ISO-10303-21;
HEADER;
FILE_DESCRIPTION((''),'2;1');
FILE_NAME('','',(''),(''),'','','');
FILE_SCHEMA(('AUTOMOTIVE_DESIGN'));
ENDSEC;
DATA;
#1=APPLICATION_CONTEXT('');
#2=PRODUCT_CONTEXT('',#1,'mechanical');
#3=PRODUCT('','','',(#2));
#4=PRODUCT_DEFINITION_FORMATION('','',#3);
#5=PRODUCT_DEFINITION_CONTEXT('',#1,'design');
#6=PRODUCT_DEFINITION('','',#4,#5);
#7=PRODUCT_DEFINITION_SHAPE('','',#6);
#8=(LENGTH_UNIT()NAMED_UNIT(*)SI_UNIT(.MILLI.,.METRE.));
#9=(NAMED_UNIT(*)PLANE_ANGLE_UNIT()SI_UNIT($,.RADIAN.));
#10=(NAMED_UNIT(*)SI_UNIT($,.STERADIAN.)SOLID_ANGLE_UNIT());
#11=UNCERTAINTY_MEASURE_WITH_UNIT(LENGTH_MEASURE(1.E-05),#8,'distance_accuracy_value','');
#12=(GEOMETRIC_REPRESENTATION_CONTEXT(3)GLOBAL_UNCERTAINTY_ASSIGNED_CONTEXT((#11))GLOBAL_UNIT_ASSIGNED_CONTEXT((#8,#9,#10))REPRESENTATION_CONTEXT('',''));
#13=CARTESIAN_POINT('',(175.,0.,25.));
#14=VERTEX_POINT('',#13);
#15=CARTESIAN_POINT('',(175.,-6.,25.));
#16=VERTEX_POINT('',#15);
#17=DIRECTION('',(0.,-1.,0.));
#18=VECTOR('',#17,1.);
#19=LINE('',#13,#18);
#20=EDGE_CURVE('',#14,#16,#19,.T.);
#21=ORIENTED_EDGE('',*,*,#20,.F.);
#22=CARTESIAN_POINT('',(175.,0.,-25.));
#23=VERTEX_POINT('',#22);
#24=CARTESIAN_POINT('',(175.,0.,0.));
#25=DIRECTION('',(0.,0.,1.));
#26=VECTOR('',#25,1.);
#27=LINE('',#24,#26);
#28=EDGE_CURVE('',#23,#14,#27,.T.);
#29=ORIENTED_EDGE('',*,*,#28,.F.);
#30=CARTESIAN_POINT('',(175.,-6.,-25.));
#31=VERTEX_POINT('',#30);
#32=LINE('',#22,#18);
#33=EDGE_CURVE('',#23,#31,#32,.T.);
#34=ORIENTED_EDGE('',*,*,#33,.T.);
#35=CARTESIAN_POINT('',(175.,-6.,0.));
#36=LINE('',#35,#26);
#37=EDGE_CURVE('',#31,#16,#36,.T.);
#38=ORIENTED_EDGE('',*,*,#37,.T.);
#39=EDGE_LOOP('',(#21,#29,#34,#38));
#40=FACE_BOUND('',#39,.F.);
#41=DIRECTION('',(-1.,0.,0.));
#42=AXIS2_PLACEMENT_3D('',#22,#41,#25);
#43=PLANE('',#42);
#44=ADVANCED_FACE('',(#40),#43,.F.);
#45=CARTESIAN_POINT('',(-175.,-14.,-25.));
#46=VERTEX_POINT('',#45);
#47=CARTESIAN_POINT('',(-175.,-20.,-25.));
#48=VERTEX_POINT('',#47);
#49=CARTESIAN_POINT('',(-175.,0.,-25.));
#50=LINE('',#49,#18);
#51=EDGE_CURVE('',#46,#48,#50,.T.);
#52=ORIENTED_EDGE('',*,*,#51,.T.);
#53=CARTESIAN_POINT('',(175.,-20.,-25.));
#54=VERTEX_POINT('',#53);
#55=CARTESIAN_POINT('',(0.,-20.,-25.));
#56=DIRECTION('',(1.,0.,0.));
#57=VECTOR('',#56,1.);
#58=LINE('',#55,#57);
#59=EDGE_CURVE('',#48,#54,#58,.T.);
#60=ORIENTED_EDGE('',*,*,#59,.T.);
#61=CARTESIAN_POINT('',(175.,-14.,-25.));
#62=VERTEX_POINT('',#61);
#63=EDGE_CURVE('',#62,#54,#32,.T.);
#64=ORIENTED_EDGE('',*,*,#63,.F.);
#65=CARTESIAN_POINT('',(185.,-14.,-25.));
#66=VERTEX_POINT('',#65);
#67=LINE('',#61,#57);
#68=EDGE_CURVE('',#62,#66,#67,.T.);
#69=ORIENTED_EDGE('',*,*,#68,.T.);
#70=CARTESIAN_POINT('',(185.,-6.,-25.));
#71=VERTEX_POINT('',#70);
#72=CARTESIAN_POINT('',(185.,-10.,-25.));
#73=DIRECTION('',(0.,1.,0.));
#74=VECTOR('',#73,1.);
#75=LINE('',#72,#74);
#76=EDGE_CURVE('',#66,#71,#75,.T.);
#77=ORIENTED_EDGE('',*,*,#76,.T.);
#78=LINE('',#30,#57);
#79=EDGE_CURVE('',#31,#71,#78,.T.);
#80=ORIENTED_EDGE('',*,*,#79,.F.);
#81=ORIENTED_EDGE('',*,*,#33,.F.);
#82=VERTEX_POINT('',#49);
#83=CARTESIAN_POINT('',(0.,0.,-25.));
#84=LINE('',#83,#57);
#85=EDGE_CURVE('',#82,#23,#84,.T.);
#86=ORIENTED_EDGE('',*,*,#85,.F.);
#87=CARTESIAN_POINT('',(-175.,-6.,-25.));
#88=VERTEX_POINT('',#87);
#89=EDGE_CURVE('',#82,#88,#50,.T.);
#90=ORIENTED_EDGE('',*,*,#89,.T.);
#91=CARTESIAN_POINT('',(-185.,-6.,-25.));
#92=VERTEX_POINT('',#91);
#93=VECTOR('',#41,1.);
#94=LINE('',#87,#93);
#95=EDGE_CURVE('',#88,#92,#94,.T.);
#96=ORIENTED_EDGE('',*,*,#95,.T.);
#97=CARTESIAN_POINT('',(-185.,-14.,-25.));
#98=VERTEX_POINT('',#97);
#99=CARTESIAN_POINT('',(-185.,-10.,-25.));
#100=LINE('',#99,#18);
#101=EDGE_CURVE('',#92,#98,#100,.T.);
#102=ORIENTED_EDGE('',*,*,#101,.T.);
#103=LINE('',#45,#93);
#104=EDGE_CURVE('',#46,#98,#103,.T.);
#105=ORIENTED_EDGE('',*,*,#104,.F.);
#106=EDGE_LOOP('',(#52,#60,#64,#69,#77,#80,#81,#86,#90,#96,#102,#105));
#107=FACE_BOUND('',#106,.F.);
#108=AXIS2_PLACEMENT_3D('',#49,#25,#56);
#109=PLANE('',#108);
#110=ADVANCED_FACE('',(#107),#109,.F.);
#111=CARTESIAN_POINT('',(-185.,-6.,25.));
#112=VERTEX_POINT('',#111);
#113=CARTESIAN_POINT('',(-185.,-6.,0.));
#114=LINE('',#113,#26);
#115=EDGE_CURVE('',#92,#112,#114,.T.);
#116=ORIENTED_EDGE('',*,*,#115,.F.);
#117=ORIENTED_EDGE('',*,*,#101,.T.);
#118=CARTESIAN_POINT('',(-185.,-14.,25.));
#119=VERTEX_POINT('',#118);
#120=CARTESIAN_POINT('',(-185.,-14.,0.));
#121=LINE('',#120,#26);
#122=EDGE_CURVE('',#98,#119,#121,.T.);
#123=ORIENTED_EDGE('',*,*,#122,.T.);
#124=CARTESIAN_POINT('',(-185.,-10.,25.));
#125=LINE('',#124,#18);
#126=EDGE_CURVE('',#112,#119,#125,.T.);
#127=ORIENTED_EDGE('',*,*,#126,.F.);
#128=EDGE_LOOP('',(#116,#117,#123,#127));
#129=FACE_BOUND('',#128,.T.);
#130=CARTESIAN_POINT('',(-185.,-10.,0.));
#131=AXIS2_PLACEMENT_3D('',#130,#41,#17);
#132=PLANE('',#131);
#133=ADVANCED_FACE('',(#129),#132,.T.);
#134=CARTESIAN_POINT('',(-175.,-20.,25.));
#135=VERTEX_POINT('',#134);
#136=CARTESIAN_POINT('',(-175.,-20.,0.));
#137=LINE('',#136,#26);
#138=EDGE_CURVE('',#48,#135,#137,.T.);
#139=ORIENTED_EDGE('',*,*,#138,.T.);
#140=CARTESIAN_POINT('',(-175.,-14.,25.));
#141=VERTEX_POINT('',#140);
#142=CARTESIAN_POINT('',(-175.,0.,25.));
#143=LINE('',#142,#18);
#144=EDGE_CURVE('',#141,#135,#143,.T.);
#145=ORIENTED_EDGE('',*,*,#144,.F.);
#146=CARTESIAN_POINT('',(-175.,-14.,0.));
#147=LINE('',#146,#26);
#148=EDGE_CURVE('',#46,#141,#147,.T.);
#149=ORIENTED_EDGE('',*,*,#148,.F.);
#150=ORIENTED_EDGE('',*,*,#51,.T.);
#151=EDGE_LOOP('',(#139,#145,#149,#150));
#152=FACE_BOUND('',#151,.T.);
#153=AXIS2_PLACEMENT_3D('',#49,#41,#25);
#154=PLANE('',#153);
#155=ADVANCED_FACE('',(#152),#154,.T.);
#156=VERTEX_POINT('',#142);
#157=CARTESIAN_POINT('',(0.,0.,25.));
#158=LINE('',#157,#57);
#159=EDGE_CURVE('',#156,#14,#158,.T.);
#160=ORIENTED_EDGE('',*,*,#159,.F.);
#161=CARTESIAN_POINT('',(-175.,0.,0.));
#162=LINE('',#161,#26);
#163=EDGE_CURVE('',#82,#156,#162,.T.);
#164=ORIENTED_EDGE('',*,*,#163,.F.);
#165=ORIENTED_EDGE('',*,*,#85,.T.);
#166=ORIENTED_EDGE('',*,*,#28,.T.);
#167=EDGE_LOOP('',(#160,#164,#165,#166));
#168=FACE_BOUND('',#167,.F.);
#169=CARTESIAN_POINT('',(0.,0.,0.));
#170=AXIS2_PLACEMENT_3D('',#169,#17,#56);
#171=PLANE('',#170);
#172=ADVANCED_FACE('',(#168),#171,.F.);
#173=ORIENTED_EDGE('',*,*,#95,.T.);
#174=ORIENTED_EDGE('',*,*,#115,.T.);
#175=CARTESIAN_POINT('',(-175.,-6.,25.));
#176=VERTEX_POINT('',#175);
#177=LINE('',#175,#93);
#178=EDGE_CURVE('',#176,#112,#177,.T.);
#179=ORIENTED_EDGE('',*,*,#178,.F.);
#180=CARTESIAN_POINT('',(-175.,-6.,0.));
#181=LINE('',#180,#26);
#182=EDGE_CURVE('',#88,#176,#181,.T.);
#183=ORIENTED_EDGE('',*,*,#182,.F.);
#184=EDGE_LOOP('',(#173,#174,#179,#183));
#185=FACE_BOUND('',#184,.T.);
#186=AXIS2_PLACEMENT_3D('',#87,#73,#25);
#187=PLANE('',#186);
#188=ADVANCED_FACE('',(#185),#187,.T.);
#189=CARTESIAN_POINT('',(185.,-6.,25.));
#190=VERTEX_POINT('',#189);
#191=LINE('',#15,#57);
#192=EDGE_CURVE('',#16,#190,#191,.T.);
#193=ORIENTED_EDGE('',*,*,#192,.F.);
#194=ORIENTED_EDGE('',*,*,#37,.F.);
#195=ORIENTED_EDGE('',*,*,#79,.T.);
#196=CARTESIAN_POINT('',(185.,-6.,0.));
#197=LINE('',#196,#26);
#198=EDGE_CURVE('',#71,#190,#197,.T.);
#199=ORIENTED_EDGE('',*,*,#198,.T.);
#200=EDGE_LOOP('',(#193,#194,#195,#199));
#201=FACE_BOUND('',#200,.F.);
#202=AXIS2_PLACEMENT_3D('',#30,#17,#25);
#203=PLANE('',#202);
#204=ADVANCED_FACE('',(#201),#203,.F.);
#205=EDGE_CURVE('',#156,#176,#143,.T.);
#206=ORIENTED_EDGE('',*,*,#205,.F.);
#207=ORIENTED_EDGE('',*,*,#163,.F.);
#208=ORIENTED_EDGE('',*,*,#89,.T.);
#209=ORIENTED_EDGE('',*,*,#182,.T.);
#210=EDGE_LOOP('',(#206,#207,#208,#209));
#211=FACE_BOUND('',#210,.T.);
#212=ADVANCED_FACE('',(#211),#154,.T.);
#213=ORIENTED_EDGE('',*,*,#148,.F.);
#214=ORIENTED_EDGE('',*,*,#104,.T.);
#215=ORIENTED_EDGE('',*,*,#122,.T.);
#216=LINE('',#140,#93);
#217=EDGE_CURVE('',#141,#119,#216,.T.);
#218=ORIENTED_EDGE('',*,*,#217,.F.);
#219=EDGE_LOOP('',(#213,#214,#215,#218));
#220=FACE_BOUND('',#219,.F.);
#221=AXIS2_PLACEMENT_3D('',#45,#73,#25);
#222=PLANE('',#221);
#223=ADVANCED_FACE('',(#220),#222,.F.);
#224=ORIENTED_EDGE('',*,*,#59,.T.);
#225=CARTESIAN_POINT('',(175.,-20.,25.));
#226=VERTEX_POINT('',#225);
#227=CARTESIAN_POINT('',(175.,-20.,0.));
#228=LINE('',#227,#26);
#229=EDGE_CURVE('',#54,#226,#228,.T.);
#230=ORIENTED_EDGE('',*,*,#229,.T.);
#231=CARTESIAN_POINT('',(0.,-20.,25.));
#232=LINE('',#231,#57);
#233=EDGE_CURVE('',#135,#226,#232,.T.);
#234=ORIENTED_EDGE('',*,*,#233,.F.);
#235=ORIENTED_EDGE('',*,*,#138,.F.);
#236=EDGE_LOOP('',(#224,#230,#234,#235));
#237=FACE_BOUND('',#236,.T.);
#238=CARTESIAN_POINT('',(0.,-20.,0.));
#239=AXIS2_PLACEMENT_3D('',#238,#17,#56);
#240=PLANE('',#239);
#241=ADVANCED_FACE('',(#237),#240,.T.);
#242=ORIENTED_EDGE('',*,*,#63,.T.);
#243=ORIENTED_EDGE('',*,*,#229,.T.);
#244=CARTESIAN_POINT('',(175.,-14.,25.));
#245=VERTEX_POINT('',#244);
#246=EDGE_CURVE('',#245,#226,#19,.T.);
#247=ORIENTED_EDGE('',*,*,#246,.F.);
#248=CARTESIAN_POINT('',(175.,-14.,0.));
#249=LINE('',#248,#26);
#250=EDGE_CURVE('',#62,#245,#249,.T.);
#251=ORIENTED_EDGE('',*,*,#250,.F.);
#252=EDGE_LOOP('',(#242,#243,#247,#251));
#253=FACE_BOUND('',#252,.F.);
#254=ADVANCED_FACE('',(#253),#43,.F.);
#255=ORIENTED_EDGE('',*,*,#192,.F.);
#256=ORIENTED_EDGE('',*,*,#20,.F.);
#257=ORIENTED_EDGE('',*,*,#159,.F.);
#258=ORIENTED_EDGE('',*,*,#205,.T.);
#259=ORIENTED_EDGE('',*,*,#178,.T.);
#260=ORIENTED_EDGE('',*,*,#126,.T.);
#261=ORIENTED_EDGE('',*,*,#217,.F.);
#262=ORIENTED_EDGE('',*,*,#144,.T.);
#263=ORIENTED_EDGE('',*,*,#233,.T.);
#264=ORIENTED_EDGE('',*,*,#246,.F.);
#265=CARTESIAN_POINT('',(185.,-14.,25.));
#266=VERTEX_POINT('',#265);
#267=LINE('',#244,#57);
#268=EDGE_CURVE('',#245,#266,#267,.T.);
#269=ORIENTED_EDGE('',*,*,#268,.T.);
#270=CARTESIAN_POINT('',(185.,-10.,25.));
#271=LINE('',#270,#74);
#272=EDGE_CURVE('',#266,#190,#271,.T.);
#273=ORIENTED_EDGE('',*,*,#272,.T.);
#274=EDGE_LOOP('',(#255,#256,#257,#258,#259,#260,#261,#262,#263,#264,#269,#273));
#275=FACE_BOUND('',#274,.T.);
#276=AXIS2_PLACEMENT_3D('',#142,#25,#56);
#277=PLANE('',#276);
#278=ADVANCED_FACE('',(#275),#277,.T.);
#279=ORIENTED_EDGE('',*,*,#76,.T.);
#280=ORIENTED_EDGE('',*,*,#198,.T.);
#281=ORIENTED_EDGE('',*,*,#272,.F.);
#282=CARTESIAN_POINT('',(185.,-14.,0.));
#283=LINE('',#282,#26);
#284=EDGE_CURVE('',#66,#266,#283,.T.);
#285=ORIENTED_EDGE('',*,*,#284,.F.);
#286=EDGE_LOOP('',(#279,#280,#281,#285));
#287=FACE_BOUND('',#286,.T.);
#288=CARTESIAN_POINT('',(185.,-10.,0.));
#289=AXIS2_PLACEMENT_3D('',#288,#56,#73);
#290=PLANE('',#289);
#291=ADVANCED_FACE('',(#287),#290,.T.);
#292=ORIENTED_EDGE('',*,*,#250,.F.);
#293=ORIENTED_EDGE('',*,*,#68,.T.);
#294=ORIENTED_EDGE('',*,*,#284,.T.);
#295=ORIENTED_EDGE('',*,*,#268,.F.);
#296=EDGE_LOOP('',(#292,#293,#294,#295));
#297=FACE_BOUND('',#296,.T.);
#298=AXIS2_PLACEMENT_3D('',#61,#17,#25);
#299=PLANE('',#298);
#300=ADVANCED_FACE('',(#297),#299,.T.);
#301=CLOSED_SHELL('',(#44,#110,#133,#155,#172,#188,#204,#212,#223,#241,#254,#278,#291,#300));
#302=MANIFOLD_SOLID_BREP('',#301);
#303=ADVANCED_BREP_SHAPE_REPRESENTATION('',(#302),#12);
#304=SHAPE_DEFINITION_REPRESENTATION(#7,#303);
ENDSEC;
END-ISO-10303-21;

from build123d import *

# Parameters (mm, degrees)
F0_W     = 350
F0_H     = 50
F1_DEPTH = 20
F2_W     = 8
F2_H     = 50
F3_DEPTH = 10
F4_W     = 8
F4_H     = 50
F5_DEPTH = 10


with BuildPart() as f1:
    # F0 (on Front) → F1 (new body)
    with BuildSketch(Plane.XZ):
        Rectangle(F0_W, F0_H)
    extrude(amount=F1_DEPTH)

    # F2 (on face) → F3 (join)
    with BuildSketch(Plane(origin=(-175, 0, 0), x_dir=(0, -1, 0), z_dir=(-1, 0, 0))):
        with Locations((10, 0)):
            Rectangle(F2_W, F2_H)
    extrude(amount=F3_DEPTH)

    # F4 (on face) → F5 (join)
    with BuildSketch(Plane.YZ.offset(175)):
        with Locations((-10, 0)):
            Rectangle(F4_W, F4_H)
    extrude(amount=F5_DEPTH)


solid = f1.part
